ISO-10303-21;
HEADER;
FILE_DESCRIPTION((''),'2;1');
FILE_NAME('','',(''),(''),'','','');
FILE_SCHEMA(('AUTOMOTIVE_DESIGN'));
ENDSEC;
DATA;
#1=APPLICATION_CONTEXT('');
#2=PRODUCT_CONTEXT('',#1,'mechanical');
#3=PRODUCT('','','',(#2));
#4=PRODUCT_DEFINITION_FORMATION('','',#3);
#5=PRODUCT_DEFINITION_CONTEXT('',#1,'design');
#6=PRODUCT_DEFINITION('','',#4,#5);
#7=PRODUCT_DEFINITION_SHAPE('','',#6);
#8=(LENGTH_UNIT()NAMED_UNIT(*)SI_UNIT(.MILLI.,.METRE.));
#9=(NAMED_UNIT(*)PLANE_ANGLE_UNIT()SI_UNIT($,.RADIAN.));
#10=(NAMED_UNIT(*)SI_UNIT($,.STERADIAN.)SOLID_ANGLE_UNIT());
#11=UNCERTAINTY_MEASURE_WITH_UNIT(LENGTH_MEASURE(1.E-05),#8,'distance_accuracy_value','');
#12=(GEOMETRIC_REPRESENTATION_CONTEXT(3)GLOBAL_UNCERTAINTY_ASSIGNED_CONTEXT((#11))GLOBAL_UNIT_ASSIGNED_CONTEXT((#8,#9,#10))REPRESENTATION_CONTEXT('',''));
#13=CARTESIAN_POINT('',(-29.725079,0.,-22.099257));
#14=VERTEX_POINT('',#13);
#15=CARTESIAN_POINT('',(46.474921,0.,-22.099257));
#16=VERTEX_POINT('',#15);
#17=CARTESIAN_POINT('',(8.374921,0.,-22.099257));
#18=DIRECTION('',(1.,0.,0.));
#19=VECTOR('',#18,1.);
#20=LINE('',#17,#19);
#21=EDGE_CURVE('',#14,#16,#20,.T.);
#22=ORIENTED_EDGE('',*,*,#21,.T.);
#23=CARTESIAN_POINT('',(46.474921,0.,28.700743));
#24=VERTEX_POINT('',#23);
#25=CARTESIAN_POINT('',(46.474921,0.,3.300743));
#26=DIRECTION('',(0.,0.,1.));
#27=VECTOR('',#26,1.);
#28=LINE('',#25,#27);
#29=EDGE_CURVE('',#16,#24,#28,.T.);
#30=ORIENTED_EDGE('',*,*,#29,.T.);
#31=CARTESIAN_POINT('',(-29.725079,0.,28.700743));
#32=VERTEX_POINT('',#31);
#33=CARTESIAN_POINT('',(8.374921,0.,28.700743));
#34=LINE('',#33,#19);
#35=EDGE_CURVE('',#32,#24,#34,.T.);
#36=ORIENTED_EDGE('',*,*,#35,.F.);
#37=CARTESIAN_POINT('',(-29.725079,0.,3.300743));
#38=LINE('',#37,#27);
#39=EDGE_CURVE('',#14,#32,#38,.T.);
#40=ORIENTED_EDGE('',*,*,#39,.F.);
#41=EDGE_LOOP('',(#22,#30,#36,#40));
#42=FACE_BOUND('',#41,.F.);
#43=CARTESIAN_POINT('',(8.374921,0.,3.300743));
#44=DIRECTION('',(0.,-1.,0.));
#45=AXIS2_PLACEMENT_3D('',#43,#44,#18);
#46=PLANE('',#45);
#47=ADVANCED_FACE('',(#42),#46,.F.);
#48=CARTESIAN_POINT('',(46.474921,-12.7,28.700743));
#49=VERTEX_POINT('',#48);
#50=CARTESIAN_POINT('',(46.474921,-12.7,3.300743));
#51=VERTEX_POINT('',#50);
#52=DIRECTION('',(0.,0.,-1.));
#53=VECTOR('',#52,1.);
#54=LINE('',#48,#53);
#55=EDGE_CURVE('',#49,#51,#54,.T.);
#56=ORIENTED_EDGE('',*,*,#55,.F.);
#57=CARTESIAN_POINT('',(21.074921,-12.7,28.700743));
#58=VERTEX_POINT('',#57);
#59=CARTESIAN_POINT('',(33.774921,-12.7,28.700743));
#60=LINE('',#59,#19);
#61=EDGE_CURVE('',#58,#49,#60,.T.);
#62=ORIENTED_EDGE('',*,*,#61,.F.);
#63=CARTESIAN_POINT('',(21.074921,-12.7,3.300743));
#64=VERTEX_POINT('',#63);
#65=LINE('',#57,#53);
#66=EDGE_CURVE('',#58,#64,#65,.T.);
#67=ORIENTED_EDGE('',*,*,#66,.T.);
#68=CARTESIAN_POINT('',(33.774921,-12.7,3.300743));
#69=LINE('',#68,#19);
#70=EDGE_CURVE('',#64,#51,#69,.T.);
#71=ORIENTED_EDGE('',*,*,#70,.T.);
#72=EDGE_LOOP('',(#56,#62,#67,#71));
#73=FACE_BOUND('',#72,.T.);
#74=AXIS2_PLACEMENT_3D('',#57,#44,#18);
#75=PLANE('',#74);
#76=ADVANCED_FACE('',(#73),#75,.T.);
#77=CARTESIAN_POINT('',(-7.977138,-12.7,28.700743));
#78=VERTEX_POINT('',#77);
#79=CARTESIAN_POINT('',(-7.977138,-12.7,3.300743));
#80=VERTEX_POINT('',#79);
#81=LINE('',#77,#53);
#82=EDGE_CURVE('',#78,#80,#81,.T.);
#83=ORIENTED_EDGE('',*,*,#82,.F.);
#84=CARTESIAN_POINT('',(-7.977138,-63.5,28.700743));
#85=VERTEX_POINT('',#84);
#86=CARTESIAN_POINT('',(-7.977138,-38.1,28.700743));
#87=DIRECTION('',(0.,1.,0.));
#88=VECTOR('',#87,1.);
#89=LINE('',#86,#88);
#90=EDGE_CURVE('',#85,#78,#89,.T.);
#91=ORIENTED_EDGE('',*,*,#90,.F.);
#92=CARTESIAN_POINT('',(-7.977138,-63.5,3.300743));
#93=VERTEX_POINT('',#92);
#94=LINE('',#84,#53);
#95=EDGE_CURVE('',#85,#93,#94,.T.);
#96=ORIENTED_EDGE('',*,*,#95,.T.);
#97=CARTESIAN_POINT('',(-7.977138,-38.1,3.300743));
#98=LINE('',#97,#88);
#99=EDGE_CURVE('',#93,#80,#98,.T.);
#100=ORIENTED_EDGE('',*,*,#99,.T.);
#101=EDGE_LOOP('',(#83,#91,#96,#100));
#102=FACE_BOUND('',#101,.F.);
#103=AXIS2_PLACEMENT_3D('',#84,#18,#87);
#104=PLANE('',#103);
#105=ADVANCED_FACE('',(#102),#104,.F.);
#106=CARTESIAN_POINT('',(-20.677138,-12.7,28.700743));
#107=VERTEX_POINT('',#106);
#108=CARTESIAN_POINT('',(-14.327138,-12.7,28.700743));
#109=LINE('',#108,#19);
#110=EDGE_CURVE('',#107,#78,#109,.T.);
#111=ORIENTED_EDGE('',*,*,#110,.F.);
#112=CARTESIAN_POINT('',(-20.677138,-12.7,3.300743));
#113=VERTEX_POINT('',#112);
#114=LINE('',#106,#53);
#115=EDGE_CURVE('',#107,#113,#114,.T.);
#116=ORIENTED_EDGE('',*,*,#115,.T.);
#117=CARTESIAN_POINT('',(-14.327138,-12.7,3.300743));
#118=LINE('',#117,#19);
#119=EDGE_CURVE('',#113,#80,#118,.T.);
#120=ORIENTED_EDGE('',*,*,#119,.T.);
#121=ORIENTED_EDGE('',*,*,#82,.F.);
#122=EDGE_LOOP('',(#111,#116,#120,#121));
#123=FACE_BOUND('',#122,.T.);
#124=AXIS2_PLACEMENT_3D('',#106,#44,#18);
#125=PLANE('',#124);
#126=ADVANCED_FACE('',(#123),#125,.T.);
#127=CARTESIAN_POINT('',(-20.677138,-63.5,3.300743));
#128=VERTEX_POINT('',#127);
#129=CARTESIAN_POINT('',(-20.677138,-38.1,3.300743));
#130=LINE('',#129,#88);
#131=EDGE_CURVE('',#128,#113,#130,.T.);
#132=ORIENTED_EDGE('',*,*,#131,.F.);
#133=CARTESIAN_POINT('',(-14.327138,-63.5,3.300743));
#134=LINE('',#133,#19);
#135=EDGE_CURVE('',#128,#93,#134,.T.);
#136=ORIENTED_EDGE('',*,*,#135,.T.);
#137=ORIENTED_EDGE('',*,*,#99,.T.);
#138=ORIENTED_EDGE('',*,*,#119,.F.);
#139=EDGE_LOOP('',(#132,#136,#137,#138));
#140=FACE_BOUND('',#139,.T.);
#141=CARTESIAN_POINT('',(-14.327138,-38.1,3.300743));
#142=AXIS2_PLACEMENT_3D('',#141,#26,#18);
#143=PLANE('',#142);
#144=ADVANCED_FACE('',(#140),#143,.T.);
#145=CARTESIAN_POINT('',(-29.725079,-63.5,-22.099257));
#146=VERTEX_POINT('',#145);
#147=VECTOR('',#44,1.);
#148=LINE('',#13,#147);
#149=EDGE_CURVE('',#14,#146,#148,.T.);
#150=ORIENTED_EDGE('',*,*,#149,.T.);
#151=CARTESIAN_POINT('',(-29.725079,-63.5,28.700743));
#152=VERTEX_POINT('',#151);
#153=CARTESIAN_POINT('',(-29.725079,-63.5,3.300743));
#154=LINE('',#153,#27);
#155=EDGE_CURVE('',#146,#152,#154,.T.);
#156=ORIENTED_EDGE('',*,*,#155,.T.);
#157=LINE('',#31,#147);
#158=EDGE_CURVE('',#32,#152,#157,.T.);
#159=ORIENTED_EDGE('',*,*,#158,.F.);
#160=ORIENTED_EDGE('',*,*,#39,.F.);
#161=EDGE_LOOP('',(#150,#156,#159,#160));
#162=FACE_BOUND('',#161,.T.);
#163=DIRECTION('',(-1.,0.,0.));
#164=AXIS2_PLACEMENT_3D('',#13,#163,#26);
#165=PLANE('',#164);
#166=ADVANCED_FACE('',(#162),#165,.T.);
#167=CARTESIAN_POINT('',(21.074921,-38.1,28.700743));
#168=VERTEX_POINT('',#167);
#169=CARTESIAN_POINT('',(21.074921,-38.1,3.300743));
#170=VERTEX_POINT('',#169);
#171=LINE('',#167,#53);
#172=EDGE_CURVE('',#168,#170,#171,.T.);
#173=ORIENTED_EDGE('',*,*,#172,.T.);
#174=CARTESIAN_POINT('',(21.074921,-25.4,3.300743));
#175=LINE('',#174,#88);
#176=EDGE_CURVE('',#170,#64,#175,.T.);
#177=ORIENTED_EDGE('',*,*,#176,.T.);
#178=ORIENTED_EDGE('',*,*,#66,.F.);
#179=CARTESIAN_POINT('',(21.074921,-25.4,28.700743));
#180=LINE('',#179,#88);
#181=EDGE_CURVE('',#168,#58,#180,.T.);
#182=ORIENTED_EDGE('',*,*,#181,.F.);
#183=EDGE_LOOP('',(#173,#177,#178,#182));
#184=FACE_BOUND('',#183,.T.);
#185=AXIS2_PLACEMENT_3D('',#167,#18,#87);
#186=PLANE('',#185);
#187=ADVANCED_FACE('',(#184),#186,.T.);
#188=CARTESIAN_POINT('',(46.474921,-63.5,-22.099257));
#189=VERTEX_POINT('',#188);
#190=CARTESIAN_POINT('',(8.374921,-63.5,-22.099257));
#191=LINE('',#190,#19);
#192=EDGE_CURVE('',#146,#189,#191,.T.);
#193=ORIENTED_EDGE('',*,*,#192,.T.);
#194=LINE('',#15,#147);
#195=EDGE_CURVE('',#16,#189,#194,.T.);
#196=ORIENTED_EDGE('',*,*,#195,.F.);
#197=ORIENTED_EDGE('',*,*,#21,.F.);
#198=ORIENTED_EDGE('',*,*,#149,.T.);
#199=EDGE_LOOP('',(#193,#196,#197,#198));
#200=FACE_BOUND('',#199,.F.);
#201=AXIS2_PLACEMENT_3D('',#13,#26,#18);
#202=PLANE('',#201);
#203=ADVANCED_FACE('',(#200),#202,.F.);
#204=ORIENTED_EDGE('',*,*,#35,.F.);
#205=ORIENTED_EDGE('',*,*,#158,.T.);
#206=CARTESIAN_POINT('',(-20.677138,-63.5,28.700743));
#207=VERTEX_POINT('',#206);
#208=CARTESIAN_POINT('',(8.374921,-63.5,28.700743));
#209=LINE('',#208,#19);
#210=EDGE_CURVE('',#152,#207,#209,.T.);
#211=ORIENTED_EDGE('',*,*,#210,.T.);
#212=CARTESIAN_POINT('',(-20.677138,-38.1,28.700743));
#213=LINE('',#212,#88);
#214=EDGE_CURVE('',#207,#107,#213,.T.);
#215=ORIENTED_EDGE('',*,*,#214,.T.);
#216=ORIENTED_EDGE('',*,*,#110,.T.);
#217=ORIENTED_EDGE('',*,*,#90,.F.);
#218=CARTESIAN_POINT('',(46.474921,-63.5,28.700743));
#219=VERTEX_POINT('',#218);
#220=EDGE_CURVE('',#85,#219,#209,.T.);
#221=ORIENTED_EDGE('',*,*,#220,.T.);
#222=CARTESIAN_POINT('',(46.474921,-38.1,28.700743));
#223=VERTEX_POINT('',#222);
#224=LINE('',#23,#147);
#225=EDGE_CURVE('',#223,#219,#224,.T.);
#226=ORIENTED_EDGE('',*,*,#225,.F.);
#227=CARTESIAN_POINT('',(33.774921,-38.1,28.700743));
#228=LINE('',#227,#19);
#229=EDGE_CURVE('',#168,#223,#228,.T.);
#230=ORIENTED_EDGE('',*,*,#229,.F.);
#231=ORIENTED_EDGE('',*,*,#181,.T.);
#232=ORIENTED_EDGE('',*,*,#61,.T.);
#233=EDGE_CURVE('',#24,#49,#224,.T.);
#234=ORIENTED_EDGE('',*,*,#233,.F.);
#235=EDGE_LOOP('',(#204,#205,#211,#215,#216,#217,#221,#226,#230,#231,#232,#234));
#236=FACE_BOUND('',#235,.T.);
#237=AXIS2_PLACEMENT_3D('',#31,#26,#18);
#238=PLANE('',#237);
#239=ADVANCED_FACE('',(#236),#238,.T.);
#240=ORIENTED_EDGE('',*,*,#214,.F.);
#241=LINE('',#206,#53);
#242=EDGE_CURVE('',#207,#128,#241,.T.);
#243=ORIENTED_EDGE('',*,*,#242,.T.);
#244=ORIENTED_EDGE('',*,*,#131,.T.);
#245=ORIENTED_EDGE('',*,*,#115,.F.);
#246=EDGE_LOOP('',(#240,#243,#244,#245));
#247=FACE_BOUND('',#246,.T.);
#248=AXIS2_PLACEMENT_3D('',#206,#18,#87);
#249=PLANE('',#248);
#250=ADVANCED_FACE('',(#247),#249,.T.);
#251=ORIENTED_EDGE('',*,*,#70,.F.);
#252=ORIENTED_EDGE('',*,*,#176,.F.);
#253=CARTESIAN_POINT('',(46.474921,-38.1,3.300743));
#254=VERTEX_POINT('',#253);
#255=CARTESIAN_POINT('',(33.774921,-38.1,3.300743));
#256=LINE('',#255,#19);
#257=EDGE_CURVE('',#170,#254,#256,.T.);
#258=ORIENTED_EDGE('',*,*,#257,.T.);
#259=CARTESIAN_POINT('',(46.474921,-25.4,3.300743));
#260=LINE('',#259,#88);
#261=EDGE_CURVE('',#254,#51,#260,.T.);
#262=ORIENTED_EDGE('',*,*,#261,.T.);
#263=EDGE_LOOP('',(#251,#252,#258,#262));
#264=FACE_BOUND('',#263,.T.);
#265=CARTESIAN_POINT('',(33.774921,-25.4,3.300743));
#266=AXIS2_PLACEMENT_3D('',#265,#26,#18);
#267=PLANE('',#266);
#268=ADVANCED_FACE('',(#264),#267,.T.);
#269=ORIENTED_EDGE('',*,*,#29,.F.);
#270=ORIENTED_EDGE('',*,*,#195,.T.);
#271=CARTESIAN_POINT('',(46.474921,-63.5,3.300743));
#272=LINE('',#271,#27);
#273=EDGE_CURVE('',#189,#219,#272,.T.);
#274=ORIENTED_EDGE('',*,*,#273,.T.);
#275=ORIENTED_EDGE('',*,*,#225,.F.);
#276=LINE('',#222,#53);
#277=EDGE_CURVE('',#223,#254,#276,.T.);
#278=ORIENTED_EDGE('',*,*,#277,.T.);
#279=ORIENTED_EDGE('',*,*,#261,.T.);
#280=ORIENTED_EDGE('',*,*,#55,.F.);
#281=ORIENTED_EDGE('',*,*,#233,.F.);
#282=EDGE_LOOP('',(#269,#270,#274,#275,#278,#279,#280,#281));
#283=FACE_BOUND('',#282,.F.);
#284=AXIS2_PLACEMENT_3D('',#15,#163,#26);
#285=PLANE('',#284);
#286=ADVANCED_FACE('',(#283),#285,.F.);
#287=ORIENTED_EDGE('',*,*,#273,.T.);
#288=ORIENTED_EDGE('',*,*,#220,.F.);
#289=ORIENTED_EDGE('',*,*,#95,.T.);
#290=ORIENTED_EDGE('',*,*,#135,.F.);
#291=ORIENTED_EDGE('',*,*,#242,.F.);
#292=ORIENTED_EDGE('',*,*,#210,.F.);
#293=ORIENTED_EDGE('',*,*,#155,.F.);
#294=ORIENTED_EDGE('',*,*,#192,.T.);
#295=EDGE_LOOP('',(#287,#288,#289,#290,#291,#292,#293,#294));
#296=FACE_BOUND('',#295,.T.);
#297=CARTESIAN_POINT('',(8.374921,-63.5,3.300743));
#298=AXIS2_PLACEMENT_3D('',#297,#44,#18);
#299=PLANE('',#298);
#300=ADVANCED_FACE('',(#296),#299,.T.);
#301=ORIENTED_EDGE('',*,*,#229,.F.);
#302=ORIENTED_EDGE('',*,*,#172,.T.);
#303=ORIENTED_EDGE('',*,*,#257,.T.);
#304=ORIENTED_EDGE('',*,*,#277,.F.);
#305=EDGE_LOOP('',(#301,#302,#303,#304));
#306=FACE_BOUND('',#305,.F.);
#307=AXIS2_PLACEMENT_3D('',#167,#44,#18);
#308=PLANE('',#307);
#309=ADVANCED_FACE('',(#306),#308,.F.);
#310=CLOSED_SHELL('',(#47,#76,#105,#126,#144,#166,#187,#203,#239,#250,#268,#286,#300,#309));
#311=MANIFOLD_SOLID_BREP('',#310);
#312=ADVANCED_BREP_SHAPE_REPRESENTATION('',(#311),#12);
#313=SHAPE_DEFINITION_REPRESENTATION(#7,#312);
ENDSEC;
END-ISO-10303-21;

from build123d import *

# Parameters (mm, degrees)
F0_W     = 76.2
F0_H     = 50.8
F1_DEPTH = 63.5
F2_W     = 12.7
F2_H     = 50.8
F3_DEPTH = 25.4
F4_W     = 25.4
F4_H     = 25.4
F5_DEPTH = 25.4


with BuildPart() as f1:
    # F0 (on Front) → F1 (new body)
    with BuildSketch(Plane.XZ):
        with Locations((8.374921, 3.300743)):
            Rectangle(F0_W, F0_H)
    extrude(amount=F1_DEPTH)

    # F2 (on face) → F3 (cut)
    with BuildSketch(Plane.XY.offset(28.700743)):
        with Locations((-14.327138, -38.1)):
            Rectangle(F2_W, F2_H)
    extrude(amount=-F3_DEPTH, mode=Mode.SUBTRACT)

    # F4 (on face) → F5 (cut)
    with BuildSketch(Plane.XY.offset(28.700743)):
        with Locations((33.774921, -25.4)):
            Rectangle(F4_W, F4_H)
    extrude(amount=-F5_DEPTH, mode=Mode.SUBTRACT)


solid = f1.part
